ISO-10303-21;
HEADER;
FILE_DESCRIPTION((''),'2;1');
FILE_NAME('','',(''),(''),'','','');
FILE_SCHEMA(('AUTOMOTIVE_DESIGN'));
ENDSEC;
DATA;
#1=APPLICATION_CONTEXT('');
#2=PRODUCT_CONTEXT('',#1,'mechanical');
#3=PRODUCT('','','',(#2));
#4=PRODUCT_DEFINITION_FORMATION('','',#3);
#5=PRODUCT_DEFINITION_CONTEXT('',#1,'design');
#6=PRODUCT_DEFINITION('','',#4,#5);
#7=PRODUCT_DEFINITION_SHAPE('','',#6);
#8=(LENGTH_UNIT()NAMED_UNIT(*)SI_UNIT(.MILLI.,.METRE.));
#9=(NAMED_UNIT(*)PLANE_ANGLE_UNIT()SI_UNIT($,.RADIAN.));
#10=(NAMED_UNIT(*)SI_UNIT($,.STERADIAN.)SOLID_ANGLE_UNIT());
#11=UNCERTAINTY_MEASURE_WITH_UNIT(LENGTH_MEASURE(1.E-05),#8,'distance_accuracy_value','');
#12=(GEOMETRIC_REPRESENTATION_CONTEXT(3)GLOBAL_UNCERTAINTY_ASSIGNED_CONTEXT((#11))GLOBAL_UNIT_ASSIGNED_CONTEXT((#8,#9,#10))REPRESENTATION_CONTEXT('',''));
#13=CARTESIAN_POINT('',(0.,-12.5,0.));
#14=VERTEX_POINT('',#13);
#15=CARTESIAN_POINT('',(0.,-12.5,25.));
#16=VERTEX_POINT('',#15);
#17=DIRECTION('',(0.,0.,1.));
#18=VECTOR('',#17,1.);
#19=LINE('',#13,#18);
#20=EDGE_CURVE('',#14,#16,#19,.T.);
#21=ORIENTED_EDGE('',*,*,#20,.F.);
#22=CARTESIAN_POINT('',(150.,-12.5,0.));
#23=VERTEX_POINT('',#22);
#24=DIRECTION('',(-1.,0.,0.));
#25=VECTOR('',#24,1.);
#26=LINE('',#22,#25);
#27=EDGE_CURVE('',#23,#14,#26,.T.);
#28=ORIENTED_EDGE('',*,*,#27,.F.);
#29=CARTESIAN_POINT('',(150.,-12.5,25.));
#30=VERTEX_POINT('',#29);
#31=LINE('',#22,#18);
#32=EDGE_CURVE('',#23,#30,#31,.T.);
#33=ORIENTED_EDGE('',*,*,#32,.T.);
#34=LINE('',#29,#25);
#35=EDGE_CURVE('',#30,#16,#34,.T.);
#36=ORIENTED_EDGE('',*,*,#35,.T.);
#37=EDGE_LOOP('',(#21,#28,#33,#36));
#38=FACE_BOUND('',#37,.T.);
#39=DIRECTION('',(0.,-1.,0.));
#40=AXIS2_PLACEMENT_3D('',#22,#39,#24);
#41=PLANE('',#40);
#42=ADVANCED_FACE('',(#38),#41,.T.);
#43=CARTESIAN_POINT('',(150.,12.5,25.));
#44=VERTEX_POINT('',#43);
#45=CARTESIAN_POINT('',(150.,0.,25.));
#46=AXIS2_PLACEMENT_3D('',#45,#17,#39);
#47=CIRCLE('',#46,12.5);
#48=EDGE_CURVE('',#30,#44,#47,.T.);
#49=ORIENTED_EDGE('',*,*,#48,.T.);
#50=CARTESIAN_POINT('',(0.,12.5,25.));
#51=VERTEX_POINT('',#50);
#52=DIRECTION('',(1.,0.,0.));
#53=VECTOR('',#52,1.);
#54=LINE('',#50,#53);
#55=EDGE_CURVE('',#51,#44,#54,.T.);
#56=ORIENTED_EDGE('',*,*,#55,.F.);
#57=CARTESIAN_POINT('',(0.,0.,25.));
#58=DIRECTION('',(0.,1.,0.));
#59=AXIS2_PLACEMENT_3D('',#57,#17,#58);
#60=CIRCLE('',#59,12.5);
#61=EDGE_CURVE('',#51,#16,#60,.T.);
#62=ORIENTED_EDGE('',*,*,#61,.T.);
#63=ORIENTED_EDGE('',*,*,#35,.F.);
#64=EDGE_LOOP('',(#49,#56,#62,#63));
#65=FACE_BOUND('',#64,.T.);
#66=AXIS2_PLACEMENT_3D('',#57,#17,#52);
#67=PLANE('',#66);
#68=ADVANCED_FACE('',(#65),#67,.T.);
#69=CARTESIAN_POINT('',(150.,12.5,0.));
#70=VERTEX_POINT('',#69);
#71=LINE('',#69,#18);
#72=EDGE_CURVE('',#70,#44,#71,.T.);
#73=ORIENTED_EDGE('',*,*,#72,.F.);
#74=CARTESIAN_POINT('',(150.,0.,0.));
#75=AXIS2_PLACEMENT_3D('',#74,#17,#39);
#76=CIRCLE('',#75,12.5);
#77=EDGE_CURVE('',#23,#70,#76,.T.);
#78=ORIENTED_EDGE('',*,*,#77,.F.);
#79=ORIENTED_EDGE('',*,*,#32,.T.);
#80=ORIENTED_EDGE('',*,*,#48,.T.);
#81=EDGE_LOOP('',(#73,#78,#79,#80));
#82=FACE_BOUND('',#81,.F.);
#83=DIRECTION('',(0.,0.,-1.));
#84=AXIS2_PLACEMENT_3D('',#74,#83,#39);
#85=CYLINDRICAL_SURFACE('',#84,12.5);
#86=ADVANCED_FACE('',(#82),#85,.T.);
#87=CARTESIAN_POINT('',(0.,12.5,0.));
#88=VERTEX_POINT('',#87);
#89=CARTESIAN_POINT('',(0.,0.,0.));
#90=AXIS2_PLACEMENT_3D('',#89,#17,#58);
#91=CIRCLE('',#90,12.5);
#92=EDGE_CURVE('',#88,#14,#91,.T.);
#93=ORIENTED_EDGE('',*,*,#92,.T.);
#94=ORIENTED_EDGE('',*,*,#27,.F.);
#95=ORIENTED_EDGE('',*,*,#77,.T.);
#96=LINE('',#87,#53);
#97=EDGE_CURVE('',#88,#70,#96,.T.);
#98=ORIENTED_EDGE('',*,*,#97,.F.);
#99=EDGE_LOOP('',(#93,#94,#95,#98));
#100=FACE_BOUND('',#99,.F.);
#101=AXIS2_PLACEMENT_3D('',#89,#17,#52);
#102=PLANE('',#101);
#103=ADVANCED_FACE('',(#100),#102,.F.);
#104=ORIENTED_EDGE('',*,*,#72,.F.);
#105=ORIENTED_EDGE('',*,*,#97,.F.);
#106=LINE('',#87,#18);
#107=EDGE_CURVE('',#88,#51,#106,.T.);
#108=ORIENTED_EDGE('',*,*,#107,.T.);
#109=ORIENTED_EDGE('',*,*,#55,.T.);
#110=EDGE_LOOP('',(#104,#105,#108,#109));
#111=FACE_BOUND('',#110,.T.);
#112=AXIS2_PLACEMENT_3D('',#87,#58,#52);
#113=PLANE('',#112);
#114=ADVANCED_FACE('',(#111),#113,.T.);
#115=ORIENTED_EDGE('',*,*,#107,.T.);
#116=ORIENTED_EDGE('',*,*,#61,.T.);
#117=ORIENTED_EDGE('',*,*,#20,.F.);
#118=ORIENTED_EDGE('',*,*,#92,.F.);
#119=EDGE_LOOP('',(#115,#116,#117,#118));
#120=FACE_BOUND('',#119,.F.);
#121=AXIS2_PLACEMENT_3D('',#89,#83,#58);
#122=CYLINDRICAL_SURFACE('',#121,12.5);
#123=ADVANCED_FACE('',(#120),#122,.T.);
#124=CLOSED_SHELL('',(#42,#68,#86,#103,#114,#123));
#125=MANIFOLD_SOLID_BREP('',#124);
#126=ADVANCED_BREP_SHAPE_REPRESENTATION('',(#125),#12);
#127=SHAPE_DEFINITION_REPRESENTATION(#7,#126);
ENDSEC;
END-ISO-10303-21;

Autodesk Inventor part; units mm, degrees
ref_plane "YZ Plane" through (0, 0, 0) normal (1, 0, 0) x (0, 1, 0)
ref_plane "XZ Plane" through (0, 0, 0) normal (0, 1, 0) x (-1, 0, 0)
ref_plane "XY Plane" through (0, 0, 0) normal (0, 0, 1) x (1, 0, 0)
sketch "Sketch1" plane through (0, 0, 0) normal (0, 0, 1) x (1, 0, 0)
  line L0 (0, 12.5) -> (150, 12.5)
  arc A0 (150, -12.5) -> (150, 12.5) centre (150, 0) ccw
  line L1 (150, -12.5) -> (0, -12.5)
  arc A1 (0, 12.5) -> (0, -12.5) centre (0, 0) ccw
  dimension "d0" = 150
  dimension "d2" = 12.5
extrude "Extrusion1" add sketch "Sketch1" along normal blind 25
properties part number "arm"
